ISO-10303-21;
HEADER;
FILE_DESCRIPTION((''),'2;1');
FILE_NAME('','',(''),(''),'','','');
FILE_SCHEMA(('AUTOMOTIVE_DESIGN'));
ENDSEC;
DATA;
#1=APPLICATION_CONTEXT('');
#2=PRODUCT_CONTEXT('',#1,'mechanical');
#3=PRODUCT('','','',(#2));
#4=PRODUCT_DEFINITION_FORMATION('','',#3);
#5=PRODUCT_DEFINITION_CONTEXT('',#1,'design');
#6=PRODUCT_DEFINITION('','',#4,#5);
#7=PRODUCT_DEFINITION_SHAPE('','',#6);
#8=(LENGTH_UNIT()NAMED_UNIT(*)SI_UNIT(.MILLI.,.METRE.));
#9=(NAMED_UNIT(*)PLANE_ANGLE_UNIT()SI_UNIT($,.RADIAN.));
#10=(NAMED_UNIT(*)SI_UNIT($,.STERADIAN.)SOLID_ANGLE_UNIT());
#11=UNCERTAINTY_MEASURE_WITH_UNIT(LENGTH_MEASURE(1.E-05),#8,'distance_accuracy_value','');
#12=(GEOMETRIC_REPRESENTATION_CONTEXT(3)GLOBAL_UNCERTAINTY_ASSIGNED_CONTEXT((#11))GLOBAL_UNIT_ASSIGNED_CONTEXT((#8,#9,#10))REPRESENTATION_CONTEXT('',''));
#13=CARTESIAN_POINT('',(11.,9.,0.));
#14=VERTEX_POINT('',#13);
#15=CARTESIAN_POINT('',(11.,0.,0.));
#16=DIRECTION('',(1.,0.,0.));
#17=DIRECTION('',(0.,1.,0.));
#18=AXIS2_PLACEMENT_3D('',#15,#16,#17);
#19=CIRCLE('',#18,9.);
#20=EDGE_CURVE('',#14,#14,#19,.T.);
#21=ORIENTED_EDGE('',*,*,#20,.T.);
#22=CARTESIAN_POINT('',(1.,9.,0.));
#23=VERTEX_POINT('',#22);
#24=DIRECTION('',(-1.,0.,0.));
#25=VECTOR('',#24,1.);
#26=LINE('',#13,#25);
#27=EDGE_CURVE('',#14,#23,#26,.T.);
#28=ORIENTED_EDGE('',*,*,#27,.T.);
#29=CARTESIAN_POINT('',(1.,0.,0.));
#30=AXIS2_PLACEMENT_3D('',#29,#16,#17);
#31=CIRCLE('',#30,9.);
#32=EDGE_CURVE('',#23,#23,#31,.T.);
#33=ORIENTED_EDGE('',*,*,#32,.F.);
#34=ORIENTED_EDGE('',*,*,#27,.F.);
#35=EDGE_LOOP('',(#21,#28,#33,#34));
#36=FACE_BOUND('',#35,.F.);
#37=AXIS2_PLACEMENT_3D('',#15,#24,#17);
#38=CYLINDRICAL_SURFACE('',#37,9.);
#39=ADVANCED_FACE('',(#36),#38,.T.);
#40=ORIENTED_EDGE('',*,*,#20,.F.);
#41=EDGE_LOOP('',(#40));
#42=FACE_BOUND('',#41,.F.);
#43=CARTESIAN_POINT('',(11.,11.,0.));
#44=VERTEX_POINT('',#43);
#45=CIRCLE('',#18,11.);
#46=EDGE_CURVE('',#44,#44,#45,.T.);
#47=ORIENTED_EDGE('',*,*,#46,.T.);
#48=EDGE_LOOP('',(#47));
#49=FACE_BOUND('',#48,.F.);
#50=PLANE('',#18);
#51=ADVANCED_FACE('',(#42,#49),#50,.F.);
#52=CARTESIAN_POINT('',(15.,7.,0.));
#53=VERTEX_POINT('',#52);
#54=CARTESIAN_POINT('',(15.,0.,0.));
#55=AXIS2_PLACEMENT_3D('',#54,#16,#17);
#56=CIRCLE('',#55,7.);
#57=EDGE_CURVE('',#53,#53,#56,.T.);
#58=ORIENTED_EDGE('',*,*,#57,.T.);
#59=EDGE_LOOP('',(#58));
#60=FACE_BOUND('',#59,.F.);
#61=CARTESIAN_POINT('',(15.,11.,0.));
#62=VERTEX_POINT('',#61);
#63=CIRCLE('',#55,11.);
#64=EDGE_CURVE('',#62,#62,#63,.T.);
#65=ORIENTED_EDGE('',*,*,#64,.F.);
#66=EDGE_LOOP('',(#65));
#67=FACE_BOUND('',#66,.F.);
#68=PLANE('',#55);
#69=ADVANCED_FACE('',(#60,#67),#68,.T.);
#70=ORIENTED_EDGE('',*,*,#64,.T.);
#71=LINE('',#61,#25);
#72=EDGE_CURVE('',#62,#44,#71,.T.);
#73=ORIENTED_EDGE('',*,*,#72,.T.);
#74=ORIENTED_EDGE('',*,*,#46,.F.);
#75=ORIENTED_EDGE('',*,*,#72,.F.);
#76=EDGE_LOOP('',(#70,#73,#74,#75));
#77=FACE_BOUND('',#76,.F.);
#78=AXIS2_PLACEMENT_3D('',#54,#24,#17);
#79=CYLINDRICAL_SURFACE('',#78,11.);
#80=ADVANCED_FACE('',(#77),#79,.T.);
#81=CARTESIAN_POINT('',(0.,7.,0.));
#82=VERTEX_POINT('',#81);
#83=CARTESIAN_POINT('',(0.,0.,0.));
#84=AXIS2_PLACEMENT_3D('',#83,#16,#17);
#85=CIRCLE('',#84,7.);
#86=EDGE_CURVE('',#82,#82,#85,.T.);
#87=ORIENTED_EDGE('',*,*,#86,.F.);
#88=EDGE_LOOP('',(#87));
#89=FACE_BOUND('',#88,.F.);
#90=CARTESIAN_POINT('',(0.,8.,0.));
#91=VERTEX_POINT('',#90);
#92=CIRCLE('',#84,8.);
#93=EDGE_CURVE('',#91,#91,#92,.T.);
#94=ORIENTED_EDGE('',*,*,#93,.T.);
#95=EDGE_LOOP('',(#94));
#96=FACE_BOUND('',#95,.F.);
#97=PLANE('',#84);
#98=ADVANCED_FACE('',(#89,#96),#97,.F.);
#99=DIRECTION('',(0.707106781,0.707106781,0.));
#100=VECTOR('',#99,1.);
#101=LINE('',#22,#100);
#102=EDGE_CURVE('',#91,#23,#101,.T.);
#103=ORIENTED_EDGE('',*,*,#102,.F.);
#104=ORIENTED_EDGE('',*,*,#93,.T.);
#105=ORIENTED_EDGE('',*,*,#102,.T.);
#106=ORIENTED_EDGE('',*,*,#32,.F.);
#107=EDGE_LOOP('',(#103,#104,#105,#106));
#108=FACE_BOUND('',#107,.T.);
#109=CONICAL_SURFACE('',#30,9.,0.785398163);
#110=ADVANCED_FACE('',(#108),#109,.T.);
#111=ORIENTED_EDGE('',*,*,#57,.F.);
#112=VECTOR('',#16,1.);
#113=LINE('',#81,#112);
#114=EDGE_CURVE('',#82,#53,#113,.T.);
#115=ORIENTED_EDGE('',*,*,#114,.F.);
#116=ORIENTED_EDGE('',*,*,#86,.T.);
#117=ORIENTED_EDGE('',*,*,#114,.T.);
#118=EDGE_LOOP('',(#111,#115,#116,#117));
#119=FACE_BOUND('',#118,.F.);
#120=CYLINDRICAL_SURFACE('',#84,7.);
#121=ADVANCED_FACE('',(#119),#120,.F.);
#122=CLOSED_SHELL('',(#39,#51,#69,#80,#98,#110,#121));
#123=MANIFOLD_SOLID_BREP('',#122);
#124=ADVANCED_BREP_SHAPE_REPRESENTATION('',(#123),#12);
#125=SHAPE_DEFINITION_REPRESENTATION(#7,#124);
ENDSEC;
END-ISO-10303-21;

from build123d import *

# Parameters (mm, degrees)
F2_SIZE = 1


with BuildPart() as f1:
    # F0 (on Top) → F1 (revolve)
    with BuildSketch(Plane.XY):
        Polygon((0, 9), (0, 7), (15, 7), (15, 11), (11, 11), (11, 9), align=None)
    revolve(axis=Axis((8.499999, 0, 0), (1, 0, 0)))

    # F2
    f2_edges = [f1.edges().sort_by_distance(p)[0] for p in [
        (0, -9, 0),
    ]]
    chamfer(f2_edges, length=F2_SIZE)


solid = f1.part
